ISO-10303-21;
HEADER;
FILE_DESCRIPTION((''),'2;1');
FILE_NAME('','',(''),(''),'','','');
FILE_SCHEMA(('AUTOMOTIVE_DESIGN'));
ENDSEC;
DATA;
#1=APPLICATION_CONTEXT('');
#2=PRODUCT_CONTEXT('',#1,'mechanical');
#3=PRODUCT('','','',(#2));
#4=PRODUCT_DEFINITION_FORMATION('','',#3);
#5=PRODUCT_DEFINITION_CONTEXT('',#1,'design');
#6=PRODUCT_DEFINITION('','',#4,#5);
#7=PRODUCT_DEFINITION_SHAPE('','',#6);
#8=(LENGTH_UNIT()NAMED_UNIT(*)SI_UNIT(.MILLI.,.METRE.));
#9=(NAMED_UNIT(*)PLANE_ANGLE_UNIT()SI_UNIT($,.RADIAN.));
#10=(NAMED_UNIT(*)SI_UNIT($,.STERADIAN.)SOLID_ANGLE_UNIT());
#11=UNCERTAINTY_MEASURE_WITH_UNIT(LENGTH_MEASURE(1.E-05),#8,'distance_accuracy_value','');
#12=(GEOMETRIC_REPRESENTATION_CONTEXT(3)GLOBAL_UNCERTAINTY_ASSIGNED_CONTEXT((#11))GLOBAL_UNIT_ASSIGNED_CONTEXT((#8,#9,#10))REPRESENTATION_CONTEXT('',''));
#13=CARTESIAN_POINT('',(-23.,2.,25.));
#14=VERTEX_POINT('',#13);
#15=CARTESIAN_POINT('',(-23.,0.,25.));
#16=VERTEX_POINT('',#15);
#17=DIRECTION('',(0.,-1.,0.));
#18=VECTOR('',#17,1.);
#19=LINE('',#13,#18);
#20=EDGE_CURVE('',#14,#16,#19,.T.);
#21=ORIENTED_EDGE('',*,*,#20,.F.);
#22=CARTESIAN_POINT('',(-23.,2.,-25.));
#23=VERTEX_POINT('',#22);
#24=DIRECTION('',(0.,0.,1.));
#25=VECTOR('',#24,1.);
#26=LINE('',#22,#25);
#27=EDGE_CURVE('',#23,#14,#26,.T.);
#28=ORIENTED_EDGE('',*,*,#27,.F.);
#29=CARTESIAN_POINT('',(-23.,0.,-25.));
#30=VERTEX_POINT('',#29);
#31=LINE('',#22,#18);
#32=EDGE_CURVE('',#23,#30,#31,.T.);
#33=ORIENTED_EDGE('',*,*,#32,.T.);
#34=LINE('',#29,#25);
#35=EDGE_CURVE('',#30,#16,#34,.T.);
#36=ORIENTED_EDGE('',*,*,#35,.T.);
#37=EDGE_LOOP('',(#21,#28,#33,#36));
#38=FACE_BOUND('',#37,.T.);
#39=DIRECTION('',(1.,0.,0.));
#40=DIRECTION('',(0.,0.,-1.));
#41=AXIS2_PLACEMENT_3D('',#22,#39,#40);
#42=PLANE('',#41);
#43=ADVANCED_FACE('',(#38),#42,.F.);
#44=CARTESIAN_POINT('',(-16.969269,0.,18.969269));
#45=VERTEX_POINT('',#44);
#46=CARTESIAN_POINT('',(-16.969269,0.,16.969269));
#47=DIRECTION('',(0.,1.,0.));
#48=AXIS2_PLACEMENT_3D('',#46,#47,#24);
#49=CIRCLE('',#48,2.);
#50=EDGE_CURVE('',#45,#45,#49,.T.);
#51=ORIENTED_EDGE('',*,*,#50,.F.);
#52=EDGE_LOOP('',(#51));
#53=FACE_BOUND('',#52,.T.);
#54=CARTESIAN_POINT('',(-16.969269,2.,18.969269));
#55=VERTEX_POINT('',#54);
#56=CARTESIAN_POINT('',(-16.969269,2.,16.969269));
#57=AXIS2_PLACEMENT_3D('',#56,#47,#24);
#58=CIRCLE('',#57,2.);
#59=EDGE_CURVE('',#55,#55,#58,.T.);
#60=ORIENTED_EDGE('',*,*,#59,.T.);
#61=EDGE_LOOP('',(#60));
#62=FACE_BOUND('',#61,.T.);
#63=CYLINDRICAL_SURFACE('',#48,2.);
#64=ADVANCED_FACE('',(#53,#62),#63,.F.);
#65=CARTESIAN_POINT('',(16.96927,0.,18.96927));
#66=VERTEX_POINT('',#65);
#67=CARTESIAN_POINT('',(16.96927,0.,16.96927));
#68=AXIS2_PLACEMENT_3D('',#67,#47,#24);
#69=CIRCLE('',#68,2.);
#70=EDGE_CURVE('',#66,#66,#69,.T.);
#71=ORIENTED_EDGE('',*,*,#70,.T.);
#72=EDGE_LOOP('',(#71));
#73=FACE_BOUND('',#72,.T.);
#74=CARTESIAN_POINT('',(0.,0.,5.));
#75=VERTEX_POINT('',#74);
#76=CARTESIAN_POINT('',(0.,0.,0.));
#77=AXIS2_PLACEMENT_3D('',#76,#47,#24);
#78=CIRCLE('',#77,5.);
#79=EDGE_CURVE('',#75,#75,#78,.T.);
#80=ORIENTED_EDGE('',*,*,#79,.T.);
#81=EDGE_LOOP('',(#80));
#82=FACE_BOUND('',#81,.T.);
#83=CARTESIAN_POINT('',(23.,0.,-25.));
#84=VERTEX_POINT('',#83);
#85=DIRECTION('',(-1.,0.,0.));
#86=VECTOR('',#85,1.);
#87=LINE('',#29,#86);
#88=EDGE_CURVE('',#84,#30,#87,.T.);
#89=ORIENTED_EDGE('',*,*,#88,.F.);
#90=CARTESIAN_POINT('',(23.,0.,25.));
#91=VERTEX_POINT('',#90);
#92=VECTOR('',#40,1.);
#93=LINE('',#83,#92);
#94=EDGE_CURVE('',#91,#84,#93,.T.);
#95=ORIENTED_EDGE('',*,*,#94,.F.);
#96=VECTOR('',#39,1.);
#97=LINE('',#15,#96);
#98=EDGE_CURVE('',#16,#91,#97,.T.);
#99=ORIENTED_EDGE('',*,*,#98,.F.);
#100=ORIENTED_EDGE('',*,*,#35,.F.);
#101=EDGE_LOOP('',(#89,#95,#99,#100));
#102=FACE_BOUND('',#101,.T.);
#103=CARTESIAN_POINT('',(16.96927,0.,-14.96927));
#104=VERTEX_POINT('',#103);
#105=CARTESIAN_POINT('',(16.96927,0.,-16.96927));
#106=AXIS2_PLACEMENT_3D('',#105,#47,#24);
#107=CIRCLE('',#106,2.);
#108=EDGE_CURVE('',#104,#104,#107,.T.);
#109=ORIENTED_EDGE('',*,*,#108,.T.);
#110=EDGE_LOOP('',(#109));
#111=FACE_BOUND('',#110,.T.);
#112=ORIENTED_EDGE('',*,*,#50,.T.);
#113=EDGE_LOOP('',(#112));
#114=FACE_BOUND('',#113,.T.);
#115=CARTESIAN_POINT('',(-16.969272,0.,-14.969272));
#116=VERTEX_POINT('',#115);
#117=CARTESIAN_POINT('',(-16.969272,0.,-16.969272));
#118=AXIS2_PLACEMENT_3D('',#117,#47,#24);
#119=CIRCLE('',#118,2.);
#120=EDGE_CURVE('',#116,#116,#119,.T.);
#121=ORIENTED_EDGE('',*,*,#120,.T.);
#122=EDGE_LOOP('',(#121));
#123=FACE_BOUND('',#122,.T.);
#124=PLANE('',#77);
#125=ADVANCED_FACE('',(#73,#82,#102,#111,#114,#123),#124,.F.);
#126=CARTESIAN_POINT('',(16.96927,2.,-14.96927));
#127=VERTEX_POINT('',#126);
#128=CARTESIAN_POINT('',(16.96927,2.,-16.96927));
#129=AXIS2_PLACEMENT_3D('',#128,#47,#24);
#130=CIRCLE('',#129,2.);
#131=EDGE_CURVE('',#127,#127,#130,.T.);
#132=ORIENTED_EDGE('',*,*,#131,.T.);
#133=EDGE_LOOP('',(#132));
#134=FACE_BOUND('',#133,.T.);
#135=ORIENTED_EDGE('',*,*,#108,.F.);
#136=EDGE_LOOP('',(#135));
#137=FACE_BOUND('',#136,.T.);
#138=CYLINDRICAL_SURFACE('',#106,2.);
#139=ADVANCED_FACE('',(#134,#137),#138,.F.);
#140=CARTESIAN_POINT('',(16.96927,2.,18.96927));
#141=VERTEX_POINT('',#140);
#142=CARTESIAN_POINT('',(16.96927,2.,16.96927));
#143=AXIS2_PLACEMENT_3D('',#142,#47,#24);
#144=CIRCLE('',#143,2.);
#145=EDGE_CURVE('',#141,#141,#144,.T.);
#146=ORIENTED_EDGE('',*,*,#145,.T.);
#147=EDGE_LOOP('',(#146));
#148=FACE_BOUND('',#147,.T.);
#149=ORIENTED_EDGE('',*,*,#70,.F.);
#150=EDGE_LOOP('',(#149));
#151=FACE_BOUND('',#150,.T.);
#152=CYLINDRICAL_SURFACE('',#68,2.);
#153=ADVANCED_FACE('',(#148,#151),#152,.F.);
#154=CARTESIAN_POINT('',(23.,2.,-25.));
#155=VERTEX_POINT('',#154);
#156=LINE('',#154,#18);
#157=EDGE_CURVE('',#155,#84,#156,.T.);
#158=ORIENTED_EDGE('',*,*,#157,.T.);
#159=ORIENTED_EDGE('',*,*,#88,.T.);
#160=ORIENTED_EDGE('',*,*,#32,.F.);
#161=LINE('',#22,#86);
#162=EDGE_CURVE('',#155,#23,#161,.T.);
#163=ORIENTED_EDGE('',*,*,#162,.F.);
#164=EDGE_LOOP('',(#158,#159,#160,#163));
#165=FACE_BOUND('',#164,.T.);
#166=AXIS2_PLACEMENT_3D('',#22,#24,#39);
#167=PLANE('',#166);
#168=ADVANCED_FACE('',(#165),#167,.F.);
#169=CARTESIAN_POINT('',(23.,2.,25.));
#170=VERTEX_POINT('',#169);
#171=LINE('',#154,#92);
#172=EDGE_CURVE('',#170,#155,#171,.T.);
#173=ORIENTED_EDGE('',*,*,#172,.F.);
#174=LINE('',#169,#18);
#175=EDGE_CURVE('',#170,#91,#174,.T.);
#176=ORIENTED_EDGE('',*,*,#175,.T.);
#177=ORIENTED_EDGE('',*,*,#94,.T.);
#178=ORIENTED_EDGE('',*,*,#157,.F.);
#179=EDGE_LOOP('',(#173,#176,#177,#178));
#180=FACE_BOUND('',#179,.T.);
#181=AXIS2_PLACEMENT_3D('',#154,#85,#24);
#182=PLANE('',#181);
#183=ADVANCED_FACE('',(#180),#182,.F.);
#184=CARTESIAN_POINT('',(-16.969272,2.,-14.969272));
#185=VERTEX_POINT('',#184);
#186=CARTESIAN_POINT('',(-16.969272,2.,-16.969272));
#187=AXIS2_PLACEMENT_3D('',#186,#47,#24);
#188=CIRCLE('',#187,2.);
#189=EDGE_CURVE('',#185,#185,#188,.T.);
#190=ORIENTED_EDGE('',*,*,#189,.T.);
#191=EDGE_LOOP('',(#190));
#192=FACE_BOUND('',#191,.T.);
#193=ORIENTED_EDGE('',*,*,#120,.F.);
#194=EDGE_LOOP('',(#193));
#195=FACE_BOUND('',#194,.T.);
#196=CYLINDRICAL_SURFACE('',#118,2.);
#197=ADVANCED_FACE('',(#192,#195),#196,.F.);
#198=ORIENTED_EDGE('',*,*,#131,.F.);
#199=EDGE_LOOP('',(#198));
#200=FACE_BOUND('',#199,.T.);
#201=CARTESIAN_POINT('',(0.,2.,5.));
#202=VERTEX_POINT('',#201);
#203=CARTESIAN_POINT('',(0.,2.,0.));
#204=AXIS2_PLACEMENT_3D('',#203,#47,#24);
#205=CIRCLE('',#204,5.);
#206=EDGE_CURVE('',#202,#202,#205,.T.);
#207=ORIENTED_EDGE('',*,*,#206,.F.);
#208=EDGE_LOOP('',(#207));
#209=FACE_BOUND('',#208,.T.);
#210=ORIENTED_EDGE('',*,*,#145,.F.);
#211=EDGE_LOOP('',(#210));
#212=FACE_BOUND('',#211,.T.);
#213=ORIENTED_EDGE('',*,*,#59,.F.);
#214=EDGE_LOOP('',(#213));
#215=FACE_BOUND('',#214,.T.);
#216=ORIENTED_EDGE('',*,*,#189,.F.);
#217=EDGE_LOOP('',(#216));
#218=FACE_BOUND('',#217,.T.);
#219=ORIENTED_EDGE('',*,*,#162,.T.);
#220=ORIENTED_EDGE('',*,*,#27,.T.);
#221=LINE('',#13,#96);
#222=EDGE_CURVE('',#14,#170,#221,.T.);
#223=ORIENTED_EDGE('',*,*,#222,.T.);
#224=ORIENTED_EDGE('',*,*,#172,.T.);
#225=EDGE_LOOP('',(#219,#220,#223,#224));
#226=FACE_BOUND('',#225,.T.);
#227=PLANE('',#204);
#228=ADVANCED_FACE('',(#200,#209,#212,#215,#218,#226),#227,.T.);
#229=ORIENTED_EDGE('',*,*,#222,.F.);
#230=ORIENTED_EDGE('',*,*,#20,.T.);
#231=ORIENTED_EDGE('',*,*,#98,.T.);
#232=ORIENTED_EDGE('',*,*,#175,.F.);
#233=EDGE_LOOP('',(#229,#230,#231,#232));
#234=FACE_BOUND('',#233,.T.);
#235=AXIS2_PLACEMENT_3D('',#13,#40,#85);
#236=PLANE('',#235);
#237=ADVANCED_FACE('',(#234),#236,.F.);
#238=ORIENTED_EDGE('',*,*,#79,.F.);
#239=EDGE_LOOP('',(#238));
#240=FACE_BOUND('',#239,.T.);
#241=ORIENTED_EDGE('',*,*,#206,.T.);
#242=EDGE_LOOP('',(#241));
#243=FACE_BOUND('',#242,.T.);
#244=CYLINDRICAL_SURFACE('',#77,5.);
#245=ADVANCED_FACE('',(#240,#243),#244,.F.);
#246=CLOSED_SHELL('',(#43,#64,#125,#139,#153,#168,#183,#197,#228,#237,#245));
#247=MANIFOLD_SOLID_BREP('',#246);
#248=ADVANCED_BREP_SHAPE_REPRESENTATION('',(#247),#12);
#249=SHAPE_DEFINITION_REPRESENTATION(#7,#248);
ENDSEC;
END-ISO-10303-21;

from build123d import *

# Parameters (mm, degrees)
SKETCH1_W           = 46
SKETCH1_H           = 50
BOSS_EXTRUDE1_DEPTH = 2
SKETCH2_R           = 5
CUT_EXTRUDE2_DEPTH  = 35.029399054
SKETCH3_R           = 2
CUT_EXTRUDE4_DEPTH  = 35.029399054


with BuildPart() as part:
    # Sketch1 → Boss-Extrude1 (new body)
    with BuildSketch(Plane(origin=(0, 0, 0), x_dir=(1, 0, 0), z_dir=(0, 1, 0))):
        Rectangle(SKETCH1_W, SKETCH1_H)
    extrude(amount=BOSS_EXTRUDE1_DEPTH)

    # Sketch2 → Cut-Extrude2 (cut, through all)
    with BuildSketch(Plane(origin=(0, 2, 0), x_dir=(1, 0, 0), z_dir=(0, 1, 0))):
        with Locations(Location((0, 0, 0), (0, 0, 270))):
            Circle(SKETCH2_R)
    extrude(amount=-CUT_EXTRUDE2_DEPTH, mode=Mode.SUBTRACT)

    # Sketch3 → Cut-Extrude4 (cut, through all)
    with BuildSketch(Plane(origin=(0, 2, 0), x_dir=(1, 0, 0), z_dir=(0, 1, 0))):
        with Locations(Location((-16.969271933, 16.969271933, 0), (0, 0, 270))):
            Circle(SKETCH3_R)
        with Locations(Location((16.969269724, 16.969269724, 0), (0, 0, 270))):
            Circle(SKETCH3_R)
        with Locations(Location((16.969269724, -16.969269724, 0), (0, 0, 270))):
            Circle(SKETCH3_R)
        with Locations(Location((-16.969268581, -16.969268581, 0), (0, 0, 270))):
            Circle(SKETCH3_R)
    extrude(amount=-CUT_EXTRUDE4_DEPTH, mode=Mode.SUBTRACT)


solid = part.part
